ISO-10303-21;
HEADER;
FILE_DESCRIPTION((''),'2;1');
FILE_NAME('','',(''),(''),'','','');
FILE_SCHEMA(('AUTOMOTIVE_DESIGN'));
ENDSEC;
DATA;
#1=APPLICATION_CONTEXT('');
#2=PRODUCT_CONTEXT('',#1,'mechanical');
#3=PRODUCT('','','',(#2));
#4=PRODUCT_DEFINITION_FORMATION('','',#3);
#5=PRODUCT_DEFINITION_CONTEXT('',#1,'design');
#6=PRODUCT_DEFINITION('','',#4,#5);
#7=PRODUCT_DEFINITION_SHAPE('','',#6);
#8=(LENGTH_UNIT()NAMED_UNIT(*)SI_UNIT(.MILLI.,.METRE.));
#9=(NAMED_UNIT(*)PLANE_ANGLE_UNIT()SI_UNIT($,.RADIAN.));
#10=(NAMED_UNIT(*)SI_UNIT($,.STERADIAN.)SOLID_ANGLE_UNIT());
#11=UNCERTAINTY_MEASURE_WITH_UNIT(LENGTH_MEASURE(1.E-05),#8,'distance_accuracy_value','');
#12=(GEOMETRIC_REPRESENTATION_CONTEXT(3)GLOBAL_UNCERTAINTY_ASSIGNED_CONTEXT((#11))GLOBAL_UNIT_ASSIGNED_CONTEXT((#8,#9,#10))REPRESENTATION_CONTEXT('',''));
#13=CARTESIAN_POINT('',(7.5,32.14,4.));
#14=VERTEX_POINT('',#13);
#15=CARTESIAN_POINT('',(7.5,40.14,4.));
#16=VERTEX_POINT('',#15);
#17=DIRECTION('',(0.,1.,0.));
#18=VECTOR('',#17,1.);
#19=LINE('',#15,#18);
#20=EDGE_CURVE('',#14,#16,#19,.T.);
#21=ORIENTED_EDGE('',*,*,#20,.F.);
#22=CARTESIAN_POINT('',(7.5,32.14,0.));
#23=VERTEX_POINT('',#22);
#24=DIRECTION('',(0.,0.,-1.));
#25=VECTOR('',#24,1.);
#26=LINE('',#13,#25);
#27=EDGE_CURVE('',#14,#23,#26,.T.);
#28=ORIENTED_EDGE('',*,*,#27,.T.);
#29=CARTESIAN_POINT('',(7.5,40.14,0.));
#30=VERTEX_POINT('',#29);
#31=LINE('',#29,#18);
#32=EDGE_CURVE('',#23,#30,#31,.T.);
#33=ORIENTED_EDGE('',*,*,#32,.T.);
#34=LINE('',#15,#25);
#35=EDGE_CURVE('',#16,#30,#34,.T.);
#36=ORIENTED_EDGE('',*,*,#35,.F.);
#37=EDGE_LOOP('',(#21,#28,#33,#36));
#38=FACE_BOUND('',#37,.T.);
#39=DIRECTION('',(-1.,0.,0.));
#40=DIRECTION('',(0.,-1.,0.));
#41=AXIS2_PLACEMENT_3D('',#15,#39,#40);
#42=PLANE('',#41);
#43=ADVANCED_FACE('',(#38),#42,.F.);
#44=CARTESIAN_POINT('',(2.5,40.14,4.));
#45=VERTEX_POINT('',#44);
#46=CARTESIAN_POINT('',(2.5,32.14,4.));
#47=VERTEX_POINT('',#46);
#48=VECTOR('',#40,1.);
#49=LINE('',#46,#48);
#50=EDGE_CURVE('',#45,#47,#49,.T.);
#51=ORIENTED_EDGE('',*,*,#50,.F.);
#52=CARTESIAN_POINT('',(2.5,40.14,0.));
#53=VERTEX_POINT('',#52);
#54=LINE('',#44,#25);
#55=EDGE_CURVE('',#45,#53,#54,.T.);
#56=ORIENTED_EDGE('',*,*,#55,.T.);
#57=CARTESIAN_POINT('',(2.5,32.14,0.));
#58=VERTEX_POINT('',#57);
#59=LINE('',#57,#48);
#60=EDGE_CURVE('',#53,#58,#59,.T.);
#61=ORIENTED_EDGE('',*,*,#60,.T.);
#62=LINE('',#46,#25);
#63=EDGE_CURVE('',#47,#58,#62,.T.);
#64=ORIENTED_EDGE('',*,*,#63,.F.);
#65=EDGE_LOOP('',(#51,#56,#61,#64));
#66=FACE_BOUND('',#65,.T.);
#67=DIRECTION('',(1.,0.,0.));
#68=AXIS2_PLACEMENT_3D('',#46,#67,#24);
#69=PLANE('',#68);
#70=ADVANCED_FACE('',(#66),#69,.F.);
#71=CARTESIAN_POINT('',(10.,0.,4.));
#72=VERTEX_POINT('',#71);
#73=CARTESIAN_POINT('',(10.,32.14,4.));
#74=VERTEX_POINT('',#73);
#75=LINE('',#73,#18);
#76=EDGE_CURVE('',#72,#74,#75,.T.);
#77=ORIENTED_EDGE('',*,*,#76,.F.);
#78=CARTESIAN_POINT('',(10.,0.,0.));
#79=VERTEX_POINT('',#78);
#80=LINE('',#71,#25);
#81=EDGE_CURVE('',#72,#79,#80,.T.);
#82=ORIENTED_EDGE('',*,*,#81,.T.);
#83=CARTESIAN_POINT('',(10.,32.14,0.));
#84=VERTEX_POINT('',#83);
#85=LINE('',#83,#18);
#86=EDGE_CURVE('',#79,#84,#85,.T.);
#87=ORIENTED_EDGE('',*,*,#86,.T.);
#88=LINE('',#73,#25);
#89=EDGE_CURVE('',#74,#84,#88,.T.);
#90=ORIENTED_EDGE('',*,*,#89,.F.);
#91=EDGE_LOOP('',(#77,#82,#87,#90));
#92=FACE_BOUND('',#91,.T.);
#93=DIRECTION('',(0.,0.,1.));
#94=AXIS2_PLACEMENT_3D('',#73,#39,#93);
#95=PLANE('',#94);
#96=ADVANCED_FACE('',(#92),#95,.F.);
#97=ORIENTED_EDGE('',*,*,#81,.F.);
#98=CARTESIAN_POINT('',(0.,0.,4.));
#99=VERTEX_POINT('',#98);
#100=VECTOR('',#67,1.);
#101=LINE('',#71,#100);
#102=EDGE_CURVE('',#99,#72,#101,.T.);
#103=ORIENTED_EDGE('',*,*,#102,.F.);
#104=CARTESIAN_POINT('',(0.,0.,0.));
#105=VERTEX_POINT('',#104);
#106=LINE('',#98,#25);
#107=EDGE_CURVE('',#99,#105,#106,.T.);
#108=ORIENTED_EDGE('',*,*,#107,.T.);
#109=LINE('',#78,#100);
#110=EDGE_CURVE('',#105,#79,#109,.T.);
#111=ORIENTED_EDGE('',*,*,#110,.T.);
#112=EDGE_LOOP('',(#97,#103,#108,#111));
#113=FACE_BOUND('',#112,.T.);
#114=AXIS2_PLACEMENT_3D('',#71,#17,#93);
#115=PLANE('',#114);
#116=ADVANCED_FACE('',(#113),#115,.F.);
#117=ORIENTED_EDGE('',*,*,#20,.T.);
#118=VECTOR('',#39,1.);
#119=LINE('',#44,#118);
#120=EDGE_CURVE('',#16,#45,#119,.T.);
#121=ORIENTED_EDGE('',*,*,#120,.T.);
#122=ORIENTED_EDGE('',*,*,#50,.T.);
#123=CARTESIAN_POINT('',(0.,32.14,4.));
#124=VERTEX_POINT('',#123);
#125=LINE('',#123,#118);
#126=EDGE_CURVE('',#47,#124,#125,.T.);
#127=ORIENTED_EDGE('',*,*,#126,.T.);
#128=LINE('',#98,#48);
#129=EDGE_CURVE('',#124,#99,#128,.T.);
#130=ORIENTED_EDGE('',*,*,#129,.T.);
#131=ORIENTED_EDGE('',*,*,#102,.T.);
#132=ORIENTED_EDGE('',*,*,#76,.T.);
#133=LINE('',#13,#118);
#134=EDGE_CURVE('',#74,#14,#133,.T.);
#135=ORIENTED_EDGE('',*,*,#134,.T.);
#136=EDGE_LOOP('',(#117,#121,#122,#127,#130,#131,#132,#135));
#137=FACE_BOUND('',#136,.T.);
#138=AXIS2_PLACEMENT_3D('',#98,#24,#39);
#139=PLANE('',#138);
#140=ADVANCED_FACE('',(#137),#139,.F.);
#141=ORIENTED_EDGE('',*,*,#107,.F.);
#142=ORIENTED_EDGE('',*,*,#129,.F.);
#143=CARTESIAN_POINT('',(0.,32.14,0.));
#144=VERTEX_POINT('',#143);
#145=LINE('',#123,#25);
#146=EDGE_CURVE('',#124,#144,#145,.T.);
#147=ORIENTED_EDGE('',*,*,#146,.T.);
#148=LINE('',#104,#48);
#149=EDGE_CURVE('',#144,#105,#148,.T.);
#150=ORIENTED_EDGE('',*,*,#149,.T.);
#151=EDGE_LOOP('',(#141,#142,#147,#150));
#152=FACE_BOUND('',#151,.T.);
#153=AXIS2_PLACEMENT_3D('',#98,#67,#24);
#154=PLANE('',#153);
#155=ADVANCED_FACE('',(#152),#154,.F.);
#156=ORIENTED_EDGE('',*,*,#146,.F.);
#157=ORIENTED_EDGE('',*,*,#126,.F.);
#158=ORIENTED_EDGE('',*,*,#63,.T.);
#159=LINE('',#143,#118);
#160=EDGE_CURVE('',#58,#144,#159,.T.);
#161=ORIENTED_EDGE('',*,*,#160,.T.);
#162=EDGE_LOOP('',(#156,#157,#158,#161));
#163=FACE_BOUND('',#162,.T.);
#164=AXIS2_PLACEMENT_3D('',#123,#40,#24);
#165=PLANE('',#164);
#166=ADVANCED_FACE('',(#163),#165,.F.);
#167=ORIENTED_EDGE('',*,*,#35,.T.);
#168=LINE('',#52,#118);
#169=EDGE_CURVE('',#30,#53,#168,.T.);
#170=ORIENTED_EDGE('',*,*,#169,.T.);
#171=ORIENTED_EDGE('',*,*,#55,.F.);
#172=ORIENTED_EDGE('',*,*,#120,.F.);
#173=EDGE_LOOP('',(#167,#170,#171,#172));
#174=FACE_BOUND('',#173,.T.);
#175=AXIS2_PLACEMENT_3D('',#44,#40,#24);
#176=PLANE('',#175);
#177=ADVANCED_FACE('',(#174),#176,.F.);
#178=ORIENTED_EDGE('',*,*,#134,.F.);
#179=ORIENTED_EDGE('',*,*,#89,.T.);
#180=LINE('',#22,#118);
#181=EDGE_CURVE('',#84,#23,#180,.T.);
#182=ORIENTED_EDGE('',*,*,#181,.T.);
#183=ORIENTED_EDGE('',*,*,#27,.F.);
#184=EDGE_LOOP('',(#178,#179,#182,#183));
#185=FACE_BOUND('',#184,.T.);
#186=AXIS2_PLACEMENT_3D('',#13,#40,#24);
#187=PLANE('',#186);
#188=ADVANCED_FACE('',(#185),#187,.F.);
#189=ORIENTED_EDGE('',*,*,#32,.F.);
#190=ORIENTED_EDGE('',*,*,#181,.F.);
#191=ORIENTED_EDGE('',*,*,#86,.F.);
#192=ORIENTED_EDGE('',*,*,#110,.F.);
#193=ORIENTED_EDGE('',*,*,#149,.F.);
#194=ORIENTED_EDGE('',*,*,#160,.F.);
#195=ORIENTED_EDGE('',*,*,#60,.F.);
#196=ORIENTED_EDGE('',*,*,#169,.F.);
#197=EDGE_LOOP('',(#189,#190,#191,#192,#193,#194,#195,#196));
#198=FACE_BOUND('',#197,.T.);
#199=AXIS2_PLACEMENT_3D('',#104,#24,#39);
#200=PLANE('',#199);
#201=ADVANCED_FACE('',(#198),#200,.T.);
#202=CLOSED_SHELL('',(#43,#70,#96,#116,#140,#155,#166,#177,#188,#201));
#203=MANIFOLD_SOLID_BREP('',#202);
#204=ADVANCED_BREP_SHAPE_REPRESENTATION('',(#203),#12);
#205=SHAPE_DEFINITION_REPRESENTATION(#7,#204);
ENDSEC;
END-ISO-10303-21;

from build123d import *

# Parameters (mm, degrees)
BOSS_EXTRUDE1_DEPTH = 4


with BuildPart() as part:
    # Sketch1 → Boss-Extrude1 (new body)
    with BuildSketch(Plane.XY):
        Polygon((0, 0), (0, 32.14), (2.5, 32.14), (2.5, 40.14), (7.5, 40.14), (7.5, 32.14), (10, 32.14), (10, 0), align=None)
    extrude(amount=BOSS_EXTRUDE1_DEPTH)


solid = part.part
